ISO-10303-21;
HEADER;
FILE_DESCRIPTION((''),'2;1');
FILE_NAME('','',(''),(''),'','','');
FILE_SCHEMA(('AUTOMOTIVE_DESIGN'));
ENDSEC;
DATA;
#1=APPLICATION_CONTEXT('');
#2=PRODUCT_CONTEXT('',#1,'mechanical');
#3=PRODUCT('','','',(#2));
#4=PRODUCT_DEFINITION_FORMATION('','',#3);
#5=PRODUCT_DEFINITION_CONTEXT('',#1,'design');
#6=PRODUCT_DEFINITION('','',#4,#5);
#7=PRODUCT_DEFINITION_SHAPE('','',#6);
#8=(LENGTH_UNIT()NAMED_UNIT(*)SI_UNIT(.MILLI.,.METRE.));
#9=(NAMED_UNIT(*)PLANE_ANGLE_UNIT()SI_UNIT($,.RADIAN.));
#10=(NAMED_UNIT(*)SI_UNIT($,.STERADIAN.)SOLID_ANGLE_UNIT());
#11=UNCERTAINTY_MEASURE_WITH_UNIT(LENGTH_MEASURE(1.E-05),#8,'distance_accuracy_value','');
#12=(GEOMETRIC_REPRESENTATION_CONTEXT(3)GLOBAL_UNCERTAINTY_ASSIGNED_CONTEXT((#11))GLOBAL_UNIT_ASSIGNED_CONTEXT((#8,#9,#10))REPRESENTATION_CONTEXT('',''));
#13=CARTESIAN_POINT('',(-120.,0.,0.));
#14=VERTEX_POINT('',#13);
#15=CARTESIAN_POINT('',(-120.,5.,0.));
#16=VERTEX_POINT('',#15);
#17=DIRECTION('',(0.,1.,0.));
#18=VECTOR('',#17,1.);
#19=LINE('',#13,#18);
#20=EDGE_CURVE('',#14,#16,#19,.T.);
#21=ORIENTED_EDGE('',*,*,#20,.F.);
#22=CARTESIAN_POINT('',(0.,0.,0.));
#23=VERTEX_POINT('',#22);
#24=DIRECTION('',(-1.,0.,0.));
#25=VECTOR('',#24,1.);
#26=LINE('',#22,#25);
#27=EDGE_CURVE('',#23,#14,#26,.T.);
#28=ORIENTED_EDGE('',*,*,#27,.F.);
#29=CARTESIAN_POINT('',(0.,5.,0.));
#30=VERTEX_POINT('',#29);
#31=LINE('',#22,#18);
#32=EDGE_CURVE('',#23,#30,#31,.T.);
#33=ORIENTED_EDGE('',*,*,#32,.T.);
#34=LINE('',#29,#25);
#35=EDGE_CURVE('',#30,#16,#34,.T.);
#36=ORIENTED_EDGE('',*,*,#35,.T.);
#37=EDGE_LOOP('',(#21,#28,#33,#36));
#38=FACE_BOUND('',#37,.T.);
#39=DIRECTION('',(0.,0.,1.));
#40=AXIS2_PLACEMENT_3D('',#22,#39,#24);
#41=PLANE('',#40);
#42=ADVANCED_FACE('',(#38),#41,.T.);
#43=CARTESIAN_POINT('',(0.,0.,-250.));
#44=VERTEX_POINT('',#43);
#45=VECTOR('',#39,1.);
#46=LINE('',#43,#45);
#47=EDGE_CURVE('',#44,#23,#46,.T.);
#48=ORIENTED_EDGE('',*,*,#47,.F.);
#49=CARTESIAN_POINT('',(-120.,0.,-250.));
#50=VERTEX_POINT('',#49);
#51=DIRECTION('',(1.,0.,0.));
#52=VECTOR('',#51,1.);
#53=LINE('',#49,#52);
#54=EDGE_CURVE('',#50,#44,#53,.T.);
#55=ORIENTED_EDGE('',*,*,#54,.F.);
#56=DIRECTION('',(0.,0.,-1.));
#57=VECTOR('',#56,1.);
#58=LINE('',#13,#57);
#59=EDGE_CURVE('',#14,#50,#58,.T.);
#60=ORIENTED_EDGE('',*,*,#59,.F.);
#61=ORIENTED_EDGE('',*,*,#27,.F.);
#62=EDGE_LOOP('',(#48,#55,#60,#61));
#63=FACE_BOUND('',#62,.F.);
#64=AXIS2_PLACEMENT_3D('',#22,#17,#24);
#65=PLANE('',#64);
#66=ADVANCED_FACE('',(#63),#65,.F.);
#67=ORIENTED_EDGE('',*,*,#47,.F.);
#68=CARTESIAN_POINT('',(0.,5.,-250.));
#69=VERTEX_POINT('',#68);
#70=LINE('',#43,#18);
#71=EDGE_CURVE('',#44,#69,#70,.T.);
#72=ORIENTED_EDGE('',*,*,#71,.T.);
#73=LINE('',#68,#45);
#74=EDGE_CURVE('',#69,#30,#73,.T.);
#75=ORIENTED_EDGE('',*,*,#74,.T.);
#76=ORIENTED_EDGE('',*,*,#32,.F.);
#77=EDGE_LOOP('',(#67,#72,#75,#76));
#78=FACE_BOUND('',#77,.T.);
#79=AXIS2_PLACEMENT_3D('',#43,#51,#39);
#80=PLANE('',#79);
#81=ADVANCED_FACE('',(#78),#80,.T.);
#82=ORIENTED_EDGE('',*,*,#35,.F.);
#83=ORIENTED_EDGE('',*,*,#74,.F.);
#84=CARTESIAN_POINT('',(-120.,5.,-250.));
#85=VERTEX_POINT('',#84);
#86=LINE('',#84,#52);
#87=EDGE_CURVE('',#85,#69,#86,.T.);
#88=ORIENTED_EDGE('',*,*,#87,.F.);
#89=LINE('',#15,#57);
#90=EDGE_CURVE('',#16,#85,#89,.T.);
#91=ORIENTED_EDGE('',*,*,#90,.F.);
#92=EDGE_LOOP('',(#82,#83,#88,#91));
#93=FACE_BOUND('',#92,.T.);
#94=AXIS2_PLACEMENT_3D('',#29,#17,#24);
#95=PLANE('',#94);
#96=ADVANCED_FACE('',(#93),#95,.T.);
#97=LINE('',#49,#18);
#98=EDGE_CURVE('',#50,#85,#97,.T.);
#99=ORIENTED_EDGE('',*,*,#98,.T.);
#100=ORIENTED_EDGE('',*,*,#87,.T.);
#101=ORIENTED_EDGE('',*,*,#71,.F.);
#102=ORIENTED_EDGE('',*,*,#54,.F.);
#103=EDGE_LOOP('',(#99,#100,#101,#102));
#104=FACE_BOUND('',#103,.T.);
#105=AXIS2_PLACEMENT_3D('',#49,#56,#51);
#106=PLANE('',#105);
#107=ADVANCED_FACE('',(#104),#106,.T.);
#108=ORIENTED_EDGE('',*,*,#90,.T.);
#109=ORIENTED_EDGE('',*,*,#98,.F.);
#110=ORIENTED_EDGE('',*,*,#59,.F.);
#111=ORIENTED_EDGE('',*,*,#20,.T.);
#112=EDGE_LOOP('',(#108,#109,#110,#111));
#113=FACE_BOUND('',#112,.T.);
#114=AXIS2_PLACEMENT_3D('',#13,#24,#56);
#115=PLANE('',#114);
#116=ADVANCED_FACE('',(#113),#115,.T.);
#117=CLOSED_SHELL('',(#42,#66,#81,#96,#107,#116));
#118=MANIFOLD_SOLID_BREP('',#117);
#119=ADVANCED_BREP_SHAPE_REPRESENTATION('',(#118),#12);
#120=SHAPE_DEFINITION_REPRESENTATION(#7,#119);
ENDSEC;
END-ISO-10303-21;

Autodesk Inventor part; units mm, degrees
ref_plane "YZ Plane" through (0, 0, 0) normal (1, 0, 0) x (0, 1, 0)
ref_plane "XZ Plane" through (0, 0, 0) normal (0, 1, 0) x (-1, 0, 0)
ref_plane "XY Plane" through (0, 0, 0) normal (0, 0, 1) x (1, 0, 0)
sketch "Sketch1" plane through (0, 0, 0) normal (0, 1, 0) x (-1, 0, 0)
  line L0 (0, 0) -> (120, 0)
  line L1 (120, 0) -> (120, -250)
  line L2 (120, -250) -> (0, -250)
  line L3 (0, -250) -> (0, 0)
  dimension "d0" = 120
  dimension "d1" = 250
extrude "Extrusion1" add sketch "Sketch1" along normal blind 5
properties part number "1p10 DP3 box"
